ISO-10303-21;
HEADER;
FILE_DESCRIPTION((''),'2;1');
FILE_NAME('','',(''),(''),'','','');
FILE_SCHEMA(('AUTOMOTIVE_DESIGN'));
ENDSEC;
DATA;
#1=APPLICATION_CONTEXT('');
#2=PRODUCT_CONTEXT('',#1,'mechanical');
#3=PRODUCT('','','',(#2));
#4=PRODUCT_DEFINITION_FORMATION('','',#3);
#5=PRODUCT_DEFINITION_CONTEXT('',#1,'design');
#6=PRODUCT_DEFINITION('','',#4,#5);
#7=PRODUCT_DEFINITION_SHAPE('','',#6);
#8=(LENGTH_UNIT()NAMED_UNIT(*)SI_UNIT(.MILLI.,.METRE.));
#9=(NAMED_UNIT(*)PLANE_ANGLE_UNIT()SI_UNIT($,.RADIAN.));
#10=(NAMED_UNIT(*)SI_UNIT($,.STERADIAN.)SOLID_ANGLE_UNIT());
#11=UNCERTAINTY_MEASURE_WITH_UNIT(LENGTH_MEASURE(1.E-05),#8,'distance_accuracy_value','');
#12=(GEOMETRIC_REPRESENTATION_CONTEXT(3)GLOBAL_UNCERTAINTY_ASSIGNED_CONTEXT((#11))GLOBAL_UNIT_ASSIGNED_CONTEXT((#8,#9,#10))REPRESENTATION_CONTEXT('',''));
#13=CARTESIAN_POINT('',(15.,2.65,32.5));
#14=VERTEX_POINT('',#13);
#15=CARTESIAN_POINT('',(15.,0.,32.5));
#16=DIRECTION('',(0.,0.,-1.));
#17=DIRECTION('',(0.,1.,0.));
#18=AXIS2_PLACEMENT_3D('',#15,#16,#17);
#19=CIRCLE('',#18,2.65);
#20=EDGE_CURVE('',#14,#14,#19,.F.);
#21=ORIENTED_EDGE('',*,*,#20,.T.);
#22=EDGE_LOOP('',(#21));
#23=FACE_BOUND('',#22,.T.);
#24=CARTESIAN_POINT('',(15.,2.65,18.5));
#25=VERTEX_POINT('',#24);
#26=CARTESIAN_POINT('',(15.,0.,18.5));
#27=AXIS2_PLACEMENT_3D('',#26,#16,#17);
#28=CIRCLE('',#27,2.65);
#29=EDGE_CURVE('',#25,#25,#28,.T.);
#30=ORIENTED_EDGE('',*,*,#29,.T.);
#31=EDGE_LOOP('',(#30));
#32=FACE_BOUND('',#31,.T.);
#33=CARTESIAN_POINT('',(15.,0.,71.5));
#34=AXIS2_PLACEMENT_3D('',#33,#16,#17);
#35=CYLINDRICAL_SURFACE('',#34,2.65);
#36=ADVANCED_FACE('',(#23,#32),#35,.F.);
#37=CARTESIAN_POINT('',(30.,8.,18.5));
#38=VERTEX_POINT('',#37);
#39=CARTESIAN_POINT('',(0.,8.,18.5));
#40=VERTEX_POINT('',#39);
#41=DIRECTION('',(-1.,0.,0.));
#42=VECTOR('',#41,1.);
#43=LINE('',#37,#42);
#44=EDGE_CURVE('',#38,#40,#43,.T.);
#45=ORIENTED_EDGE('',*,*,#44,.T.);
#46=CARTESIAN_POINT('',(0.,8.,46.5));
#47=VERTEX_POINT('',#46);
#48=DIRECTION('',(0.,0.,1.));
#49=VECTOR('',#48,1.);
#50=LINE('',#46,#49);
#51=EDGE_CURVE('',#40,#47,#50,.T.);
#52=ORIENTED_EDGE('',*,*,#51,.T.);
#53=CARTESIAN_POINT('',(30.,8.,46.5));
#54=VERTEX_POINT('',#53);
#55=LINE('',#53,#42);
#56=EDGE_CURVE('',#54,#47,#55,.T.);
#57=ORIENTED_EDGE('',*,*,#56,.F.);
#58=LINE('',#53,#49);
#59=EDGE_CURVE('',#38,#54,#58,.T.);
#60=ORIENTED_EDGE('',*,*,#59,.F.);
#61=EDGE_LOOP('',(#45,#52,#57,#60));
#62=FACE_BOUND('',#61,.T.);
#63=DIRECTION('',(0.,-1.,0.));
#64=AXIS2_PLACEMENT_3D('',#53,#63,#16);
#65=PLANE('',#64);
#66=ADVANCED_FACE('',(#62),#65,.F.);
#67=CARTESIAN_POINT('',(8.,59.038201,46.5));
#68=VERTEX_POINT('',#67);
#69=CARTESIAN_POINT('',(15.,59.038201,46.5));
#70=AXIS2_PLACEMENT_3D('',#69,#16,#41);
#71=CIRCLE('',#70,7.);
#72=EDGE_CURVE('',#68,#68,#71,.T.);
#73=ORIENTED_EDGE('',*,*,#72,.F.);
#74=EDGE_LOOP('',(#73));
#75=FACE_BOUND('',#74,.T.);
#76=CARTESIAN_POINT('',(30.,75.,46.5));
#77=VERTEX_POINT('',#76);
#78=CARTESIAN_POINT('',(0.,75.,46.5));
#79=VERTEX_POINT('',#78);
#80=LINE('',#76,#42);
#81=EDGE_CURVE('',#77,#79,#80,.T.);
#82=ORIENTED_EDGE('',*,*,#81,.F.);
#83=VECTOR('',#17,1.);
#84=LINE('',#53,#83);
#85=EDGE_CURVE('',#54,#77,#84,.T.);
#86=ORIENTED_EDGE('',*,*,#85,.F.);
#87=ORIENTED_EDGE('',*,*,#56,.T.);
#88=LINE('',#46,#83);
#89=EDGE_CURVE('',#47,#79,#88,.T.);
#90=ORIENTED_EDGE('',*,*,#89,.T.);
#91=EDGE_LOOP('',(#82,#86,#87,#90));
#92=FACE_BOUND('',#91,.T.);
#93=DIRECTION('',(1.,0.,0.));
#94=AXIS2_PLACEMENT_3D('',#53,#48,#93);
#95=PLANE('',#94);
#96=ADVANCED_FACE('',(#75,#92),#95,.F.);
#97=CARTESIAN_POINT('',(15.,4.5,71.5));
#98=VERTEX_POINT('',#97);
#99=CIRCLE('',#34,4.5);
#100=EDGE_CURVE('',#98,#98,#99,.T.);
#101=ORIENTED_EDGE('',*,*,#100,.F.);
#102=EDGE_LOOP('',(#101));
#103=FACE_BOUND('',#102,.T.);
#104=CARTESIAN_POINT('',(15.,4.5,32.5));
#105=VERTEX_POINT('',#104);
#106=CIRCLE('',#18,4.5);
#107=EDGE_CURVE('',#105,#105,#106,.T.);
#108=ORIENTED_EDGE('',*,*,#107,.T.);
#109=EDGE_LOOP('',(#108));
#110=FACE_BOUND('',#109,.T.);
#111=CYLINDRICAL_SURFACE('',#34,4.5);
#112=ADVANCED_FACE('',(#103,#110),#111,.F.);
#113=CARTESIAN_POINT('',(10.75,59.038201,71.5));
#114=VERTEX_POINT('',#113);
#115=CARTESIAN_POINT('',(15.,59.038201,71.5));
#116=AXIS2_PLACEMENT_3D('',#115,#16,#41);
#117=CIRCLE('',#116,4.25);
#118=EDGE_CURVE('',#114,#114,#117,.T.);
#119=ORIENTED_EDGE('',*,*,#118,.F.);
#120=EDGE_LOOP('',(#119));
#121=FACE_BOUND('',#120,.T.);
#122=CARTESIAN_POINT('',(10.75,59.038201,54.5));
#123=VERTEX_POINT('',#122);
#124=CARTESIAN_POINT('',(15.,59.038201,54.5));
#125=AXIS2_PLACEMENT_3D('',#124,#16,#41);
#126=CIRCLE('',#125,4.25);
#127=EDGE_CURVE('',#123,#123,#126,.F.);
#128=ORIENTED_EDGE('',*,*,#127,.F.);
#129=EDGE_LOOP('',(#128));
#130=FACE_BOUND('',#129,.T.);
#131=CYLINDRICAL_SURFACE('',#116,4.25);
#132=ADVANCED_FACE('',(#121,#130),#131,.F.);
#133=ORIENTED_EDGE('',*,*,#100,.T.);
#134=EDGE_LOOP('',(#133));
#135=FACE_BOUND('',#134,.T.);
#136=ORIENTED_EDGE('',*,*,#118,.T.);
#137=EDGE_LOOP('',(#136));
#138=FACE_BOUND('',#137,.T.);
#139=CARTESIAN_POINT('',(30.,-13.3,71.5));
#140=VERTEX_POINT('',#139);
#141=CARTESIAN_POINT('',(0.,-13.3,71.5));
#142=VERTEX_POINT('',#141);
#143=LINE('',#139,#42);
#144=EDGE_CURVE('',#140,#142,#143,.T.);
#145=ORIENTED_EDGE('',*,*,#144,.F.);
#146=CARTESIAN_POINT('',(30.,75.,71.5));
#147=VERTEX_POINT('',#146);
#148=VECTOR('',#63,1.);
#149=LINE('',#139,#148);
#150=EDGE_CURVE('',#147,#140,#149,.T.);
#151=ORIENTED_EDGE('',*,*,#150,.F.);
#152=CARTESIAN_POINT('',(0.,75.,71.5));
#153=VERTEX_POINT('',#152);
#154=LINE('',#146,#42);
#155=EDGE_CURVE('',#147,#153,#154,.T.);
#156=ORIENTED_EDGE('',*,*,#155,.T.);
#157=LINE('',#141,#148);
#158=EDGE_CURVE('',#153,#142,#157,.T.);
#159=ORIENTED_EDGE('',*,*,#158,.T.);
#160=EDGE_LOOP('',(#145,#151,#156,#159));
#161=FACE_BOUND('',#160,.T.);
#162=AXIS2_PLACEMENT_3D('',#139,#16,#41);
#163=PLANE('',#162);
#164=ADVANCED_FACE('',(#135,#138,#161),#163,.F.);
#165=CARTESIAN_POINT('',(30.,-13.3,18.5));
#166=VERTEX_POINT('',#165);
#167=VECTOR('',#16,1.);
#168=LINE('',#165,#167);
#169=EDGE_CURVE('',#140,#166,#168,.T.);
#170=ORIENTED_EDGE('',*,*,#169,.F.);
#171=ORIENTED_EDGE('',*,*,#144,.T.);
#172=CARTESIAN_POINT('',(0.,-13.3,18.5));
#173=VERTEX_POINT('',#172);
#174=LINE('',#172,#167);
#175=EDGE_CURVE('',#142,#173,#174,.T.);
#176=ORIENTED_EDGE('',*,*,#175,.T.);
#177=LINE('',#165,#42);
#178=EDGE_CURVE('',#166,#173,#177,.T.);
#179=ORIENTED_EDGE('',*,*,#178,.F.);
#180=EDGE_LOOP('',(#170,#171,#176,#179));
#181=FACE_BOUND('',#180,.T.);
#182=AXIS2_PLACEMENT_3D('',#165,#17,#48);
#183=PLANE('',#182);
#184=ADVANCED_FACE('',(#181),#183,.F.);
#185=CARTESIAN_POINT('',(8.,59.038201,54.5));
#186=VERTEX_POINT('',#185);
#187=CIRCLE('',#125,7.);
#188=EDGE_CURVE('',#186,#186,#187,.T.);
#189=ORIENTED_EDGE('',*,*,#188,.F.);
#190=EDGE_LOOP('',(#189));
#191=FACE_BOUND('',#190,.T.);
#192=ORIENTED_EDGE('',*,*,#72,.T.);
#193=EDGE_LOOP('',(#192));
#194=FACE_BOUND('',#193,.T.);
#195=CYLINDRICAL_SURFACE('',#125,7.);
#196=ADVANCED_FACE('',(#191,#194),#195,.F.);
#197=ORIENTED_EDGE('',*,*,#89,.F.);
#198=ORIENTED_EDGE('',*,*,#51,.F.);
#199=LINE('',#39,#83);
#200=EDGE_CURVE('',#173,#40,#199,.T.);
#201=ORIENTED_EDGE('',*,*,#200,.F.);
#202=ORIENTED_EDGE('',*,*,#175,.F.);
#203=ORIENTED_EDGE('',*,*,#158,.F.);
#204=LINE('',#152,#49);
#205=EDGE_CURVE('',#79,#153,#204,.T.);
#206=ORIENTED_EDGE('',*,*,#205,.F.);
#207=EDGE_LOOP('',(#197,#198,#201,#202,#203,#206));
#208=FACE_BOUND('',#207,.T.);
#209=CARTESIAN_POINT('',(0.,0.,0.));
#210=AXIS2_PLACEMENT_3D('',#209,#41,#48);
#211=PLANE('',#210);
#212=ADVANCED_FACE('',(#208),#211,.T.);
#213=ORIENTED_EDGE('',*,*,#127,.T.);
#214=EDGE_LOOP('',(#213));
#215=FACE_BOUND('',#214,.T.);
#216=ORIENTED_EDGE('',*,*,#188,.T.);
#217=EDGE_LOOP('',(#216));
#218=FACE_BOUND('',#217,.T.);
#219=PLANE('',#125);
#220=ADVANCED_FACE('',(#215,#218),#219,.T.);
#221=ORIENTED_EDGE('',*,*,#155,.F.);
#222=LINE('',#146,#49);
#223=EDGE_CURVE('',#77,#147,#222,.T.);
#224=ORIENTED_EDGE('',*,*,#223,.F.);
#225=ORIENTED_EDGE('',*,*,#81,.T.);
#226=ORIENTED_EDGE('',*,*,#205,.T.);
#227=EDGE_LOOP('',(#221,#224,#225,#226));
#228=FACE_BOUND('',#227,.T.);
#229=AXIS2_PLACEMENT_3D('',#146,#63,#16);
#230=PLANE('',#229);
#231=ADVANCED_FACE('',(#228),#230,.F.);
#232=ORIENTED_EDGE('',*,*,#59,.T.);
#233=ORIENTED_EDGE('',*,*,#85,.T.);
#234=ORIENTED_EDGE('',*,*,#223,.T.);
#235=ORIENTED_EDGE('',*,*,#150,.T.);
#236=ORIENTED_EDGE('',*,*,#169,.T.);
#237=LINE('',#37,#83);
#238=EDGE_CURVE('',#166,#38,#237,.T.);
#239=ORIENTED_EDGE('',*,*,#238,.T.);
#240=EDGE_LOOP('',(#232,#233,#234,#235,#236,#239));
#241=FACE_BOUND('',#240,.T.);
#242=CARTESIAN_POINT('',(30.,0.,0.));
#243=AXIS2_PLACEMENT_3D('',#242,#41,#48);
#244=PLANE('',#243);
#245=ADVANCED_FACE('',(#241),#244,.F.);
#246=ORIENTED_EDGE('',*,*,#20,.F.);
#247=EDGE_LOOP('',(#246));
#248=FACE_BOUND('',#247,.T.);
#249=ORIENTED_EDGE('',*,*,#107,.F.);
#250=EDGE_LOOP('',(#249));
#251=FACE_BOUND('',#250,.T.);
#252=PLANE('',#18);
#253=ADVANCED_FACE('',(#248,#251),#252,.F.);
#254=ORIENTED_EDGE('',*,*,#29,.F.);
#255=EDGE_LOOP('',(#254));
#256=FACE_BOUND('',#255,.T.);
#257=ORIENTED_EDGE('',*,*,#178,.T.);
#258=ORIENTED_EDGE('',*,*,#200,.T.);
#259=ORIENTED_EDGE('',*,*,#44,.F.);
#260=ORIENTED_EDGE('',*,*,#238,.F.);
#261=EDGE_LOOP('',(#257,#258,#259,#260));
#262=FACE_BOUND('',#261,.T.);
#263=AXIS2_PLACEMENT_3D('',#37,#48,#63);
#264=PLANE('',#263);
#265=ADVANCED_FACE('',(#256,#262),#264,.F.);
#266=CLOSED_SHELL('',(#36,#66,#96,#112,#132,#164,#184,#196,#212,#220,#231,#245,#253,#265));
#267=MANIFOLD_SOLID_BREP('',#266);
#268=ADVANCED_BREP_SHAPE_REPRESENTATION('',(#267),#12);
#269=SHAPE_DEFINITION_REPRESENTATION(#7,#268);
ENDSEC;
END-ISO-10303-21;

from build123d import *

# Parameters (mm, degrees)
EXTRUDE_1_DEPTH     = 30
SKETCH_2_R          = 2.65
CUT_EXTRUDE_1_DEPTH = 54
SKETCH_4_R          = 4.5
CUT_EXTRUDE_3_DEPTH = 40
SKETCH_5_R          = 4.25
CUT_EXTRUDE_4_DEPTH = 26
SKETCH_6_R          = 7
CUT_EXTRUDE_5_DEPTH = 8


with BuildPart() as part:
    # 草图1 → 凸台-拉伸1 (new body)
    with BuildSketch(Plane(origin=(0, 0, 0), x_dir=(0, 0, -1), z_dir=(1, 0, 0))):
        Polygon((-18.5, 8), (-18.5, -13.3), (-71.5, -13.3), (-71.5, 75), (-46.5, 75), (-46.5, 8), align=None)
    extrude(amount=EXTRUDE_1_DEPTH)

    # 草图2 → 切除-拉伸1 (cut, through all)
    with BuildSketch(Plane(origin=(0, 0, 18.5), x_dir=(-1, 0, 0), z_dir=(0, 0, -1))):
        with Locations((-15, 0)):
            Circle(SKETCH_2_R)
    extrude(amount=-CUT_EXTRUDE_1_DEPTH, mode=Mode.SUBTRACT)

    # 草图4 → 切除-拉伸3 (cut, through all)
    with BuildSketch(Plane(origin=(0, 0, 32.5), x_dir=(-1, 0, 0), z_dir=(0, 0, -1))):
        with Locations((-15, 0)):
            Circle(SKETCH_4_R)
    extrude(amount=-CUT_EXTRUDE_3_DEPTH, mode=Mode.SUBTRACT)

    # 草图5 → 切除-拉伸4 (cut, through all)
    with BuildSketch(Plane(origin=(0, 0, 46.5), x_dir=(-1, 0, 0), z_dir=(0, 0, -1))):
        with Locations((-15, 59.038200963)):
            Circle(SKETCH_5_R)
    extrude(amount=-CUT_EXTRUDE_4_DEPTH, mode=Mode.SUBTRACT)

    # 草图6 → 切除-拉伸5 (cut)
    with BuildSketch(Plane(origin=(0, 0, 46.5), x_dir=(-1, 0, 0), z_dir=(0, 0, -1))):
        with Locations((-15, 59.038200963)):
            Circle(SKETCH_6_R)
    extrude(amount=-CUT_EXTRUDE_5_DEPTH, mode=Mode.SUBTRACT)


solid = part.part
